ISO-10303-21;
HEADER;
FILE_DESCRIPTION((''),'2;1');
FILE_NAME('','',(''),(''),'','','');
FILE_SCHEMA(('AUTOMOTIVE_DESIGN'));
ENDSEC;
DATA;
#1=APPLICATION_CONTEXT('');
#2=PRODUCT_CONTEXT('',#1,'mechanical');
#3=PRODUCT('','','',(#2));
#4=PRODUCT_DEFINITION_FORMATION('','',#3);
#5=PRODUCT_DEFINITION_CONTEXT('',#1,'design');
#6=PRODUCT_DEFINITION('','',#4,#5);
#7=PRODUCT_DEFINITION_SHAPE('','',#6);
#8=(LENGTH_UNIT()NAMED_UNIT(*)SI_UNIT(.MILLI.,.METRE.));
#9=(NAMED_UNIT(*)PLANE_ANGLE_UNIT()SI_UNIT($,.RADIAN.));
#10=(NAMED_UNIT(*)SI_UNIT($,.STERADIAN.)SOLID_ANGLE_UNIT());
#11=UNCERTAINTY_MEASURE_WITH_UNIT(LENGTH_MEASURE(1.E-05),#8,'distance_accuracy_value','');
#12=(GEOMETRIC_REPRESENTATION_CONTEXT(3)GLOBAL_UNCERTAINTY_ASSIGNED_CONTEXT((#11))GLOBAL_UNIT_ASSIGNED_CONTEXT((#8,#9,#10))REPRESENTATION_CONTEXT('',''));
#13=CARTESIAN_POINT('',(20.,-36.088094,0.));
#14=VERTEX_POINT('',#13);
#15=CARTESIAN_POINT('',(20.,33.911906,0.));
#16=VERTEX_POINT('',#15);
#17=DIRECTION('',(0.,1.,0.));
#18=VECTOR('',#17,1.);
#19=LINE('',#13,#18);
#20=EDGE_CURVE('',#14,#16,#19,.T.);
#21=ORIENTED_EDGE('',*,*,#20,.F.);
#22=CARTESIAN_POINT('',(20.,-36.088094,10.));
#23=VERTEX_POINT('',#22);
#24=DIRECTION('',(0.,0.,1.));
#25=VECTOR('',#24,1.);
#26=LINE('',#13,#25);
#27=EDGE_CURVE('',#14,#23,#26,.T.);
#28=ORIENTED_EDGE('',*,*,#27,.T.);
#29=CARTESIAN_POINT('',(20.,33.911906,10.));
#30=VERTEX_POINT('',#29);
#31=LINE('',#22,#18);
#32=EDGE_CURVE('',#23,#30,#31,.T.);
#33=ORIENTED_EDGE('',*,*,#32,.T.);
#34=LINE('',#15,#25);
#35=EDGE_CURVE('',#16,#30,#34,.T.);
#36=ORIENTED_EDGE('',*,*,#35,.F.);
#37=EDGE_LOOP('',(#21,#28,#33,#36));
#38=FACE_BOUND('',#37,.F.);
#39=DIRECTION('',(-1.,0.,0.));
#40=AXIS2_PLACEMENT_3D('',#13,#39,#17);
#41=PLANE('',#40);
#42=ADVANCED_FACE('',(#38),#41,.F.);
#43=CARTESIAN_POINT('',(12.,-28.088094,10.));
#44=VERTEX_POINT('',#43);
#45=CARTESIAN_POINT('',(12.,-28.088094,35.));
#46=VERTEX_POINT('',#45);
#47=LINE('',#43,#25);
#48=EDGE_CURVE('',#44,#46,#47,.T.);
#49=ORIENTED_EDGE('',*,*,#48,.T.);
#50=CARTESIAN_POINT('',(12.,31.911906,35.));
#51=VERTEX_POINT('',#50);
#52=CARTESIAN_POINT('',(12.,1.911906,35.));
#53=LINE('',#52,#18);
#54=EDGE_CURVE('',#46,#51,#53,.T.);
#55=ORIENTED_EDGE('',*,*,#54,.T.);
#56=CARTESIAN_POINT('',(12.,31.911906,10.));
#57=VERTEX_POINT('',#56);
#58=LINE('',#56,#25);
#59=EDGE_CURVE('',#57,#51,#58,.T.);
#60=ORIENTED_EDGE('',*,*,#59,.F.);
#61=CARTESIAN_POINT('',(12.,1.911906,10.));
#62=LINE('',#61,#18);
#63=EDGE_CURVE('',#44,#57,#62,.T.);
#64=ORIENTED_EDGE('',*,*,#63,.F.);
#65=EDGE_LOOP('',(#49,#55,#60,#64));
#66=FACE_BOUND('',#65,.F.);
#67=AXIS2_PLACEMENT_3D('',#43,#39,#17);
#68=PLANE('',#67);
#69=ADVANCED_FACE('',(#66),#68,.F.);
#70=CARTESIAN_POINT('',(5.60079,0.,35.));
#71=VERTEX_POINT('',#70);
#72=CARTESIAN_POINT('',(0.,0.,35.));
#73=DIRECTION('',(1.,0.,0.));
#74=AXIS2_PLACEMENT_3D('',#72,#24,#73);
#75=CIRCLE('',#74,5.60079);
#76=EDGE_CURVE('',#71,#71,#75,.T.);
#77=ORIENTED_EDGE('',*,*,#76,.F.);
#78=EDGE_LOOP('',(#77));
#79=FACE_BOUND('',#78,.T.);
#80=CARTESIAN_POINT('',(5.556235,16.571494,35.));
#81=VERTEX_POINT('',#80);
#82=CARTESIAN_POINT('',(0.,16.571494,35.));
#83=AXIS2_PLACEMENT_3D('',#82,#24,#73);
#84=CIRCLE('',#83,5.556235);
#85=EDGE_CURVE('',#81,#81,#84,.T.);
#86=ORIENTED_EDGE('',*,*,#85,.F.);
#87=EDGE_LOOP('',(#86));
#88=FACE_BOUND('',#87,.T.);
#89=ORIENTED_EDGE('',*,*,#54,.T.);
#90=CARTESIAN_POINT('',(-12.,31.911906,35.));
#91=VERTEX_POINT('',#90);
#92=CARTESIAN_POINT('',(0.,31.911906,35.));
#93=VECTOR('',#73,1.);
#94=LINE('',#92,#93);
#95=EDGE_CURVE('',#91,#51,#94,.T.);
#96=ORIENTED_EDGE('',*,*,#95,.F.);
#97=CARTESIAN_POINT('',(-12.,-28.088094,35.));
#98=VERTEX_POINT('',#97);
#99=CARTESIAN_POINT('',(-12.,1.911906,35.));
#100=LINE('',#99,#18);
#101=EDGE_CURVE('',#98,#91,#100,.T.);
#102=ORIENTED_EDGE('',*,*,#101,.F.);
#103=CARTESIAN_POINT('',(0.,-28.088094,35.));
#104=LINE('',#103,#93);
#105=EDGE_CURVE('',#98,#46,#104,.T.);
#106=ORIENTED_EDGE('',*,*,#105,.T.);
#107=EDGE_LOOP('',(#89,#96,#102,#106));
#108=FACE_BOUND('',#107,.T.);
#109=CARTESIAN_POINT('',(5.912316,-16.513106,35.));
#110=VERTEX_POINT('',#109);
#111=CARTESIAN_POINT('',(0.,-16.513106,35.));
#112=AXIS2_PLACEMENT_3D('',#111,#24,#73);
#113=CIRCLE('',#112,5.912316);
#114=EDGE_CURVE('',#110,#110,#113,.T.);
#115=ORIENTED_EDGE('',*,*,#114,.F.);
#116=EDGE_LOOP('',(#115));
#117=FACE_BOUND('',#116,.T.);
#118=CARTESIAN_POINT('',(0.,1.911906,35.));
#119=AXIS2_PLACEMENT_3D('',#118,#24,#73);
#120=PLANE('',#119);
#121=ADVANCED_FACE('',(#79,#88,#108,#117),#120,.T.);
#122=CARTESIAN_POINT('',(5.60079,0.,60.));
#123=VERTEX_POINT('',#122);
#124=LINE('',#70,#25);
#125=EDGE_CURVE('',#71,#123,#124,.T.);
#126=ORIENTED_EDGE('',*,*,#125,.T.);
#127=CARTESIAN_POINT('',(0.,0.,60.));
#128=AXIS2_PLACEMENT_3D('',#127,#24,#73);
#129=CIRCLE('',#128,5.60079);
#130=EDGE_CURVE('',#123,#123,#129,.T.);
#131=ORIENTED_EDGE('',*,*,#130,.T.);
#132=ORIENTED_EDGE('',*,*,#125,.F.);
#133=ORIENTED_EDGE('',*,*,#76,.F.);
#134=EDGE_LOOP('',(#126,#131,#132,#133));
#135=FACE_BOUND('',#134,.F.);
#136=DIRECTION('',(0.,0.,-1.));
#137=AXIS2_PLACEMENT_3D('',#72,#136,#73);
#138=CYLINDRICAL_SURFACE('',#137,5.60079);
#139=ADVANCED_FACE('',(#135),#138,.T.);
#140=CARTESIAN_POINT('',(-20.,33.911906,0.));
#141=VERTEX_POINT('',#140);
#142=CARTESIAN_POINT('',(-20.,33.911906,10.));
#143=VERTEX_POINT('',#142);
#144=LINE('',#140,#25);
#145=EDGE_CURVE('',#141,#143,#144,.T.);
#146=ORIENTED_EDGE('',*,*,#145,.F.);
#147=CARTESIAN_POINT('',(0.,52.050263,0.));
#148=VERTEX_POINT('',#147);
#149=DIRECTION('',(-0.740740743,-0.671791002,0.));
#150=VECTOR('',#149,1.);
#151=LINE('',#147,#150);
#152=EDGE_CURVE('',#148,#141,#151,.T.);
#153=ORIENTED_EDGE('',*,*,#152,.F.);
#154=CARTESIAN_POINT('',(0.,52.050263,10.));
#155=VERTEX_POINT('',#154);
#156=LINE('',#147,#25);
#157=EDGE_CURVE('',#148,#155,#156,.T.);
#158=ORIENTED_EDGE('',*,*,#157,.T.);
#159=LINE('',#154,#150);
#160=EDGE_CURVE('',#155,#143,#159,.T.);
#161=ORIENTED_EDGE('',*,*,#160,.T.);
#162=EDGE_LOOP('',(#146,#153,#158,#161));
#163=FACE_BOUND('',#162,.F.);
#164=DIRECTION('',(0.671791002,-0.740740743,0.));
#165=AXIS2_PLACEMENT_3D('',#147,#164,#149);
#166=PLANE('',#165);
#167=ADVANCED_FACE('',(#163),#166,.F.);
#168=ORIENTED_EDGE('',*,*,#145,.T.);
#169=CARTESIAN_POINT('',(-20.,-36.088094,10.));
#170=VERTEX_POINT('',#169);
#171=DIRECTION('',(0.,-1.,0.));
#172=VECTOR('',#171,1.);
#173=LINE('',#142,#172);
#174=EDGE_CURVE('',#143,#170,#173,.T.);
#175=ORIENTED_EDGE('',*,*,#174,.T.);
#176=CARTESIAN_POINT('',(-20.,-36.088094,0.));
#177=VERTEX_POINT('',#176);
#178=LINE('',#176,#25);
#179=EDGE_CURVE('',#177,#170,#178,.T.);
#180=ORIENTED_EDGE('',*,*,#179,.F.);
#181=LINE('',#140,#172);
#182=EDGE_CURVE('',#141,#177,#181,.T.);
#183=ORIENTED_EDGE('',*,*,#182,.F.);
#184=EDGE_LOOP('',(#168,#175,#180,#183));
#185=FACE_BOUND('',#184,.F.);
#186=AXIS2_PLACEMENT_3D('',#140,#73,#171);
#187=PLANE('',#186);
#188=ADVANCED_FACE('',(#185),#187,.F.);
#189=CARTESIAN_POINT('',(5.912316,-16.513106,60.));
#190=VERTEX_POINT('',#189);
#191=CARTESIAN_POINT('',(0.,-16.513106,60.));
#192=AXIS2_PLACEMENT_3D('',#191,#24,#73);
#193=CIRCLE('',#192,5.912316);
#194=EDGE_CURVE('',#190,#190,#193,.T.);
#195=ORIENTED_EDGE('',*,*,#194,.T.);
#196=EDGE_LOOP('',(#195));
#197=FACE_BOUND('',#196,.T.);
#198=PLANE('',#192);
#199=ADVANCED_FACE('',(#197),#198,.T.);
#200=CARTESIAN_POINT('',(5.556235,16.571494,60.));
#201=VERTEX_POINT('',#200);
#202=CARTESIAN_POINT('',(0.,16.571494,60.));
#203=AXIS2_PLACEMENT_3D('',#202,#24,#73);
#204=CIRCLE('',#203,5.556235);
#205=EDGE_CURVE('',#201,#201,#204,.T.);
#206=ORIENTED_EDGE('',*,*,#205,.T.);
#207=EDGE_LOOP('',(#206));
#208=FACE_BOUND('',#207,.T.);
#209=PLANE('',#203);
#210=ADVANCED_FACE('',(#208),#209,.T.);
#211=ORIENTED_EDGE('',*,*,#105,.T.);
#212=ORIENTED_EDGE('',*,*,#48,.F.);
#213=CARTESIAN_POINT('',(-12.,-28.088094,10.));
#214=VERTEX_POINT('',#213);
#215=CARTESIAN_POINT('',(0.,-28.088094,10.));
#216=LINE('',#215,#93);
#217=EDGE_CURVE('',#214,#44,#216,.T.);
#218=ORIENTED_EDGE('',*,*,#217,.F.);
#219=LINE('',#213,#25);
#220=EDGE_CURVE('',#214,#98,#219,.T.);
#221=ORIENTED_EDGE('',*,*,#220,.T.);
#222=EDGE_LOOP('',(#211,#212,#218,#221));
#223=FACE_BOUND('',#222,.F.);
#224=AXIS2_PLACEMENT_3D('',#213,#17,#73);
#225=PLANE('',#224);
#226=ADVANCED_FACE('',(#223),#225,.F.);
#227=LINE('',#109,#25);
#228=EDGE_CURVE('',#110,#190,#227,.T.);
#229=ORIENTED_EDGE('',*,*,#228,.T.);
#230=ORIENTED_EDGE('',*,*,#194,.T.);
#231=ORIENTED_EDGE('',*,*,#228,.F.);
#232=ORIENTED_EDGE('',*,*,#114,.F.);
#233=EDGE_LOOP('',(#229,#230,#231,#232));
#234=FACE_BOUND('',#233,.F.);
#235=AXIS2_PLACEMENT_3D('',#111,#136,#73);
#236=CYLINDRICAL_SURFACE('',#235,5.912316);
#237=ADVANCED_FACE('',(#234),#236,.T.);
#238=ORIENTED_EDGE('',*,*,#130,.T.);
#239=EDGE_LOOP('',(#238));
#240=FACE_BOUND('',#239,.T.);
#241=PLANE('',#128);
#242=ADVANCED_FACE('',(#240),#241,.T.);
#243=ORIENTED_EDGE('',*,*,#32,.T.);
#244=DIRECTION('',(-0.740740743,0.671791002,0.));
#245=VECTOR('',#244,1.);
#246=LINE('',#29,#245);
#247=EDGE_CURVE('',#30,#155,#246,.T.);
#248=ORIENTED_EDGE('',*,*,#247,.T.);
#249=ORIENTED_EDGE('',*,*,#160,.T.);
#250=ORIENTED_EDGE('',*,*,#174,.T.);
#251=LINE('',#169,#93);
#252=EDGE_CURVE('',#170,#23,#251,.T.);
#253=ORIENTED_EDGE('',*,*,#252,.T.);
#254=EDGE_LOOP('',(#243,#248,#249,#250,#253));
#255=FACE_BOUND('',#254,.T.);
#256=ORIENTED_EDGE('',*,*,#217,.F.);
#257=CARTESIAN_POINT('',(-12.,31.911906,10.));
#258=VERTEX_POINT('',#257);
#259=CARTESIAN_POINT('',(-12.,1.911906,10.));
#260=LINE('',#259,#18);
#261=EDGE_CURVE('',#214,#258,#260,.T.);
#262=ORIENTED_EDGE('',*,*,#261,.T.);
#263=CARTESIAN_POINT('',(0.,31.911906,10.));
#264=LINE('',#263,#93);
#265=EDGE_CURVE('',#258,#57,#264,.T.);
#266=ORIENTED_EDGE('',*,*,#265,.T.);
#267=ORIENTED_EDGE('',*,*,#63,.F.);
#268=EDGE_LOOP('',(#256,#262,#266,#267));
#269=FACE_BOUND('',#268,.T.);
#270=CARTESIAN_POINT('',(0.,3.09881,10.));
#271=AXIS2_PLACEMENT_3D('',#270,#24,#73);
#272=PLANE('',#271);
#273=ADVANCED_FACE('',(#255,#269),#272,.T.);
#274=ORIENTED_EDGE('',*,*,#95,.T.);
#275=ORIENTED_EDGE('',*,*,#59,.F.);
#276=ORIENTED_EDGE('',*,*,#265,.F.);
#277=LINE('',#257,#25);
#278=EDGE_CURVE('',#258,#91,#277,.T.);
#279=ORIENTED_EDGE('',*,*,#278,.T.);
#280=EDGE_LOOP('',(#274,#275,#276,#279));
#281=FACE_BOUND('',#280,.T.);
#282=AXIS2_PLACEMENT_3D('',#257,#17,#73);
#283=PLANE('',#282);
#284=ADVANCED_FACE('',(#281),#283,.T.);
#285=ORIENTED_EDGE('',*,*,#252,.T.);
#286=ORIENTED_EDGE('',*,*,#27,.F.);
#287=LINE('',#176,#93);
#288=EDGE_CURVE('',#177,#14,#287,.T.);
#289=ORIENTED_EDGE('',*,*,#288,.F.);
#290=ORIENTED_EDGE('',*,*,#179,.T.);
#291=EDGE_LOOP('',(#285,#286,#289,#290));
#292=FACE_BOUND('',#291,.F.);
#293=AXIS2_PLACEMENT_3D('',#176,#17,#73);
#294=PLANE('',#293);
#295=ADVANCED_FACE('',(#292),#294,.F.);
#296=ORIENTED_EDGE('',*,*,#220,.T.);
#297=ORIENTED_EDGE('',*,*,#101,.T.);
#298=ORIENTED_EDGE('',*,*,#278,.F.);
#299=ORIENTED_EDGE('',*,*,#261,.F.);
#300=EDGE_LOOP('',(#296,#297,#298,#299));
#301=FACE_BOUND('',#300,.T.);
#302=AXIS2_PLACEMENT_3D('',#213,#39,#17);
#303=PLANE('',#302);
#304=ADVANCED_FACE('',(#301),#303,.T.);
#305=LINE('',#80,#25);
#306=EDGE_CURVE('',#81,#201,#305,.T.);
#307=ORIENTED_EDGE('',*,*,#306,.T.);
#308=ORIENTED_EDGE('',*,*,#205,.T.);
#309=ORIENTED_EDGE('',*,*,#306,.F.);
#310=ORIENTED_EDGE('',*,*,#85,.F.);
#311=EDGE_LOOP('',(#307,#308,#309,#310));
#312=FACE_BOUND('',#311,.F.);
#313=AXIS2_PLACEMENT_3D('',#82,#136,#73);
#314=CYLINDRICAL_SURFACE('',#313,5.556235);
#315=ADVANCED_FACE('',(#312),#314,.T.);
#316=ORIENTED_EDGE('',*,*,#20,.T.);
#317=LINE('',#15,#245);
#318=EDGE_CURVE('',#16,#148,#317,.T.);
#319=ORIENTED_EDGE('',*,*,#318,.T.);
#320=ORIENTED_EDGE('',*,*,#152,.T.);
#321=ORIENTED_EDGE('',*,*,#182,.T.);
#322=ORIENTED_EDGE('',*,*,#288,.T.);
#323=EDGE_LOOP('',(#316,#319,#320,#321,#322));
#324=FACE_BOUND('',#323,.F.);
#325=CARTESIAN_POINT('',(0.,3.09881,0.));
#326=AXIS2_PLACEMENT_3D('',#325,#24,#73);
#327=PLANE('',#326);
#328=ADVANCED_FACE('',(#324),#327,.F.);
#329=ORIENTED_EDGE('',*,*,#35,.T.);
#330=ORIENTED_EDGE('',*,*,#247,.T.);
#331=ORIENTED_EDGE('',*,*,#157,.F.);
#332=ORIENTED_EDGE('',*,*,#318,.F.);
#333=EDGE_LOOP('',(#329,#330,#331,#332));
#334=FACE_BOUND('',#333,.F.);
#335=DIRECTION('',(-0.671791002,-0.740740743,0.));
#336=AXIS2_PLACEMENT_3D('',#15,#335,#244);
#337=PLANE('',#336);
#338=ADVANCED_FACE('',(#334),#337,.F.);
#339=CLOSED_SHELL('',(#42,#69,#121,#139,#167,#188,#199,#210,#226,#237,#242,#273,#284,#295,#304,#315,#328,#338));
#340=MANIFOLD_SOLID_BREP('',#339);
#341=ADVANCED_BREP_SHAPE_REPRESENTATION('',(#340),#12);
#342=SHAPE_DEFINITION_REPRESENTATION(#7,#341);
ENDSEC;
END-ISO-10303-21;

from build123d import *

# Parameters (mm, degrees)
F1_DEPTH = 10
F2_W     = 24
F2_H     = 60
F3_DEPTH = 25
F4_R     = 5.556235
F4_R_2   = 5.60079
F4_R_3   = 5.912316
F5_DEPTH = 25


with BuildPart() as f1:
    # F0 (on Top) → F1 (new body)
    with BuildSketch(Plane.XY):
        Polygon((0, 52.050263), (-20, 33.911906), (-20, -36.088094), (20, -36.088094), (20, 33.911906), align=None)
    extrude(amount=F1_DEPTH)

    # F2 (on face) → F3 (join)
    with BuildSketch(Plane.XY.offset(10)):
        with Locations((0, 1.911906)):
            Rectangle(F2_W, F2_H)
    extrude(amount=F3_DEPTH)

    # F4 (on face) → F5 (join)
    with BuildSketch(Plane.XY.offset(35)):
        with Locations((0, 16.571494)):
            Circle(F4_R)
        Circle(F4_R_2)
        with Locations((0, -16.513106)):
            Circle(F4_R_3)
    extrude(amount=F5_DEPTH)


solid = f1.part
